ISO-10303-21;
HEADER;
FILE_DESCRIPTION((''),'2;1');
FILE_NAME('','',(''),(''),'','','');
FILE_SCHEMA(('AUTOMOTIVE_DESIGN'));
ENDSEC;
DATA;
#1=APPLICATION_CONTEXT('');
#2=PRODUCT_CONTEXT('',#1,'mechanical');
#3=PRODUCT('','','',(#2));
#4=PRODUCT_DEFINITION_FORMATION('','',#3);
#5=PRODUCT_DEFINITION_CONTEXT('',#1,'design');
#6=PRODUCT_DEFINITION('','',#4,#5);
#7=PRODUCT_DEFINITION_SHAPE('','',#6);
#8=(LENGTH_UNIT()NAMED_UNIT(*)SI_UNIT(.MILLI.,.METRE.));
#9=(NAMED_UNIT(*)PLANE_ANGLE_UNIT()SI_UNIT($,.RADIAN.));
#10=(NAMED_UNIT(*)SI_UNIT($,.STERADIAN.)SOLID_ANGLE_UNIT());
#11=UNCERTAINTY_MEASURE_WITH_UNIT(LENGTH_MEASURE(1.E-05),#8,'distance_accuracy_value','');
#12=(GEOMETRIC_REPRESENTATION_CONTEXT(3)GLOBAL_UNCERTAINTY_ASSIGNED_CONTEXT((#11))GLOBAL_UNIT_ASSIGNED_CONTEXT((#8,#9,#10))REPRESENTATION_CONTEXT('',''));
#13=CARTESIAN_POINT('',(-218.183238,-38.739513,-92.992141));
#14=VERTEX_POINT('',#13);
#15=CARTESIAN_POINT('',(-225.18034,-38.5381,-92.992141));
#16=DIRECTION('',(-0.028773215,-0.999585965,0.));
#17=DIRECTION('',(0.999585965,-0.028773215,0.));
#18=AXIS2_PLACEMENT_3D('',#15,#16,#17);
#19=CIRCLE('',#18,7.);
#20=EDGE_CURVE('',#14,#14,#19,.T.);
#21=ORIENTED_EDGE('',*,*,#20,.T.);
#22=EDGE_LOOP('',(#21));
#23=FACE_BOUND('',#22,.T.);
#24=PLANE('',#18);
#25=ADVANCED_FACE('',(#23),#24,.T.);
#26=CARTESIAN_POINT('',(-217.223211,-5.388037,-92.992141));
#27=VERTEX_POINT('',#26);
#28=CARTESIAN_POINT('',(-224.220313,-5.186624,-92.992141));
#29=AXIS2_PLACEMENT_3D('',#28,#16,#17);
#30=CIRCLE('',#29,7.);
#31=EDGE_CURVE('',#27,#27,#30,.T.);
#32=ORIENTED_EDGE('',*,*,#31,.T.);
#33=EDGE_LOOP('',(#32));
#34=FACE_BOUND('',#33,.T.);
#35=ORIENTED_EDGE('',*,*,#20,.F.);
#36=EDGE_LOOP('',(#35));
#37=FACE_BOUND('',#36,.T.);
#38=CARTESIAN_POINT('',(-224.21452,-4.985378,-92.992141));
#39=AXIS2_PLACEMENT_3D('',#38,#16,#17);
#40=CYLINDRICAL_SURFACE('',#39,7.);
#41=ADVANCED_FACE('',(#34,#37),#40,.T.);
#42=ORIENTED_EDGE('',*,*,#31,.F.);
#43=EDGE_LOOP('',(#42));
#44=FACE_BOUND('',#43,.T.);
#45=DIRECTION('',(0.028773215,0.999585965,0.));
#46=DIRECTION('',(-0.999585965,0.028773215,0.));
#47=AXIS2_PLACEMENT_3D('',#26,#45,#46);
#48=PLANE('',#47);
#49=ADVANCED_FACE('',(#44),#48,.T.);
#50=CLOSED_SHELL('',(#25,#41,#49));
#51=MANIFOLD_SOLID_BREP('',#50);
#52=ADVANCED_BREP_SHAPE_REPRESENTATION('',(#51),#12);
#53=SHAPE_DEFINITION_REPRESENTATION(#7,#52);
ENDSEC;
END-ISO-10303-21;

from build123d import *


with BuildPart() as part:
    # Esquisse1 → Révolution1 (revolve)
    with BuildSketch(Plane.XY.offset(-92.992140511)):
        Polygon((-217.223211463, -5.388036754), (-224.22031322, -5.186624249), (-225.180339886, -38.538100006), (-218.183238128, -38.739512511), align=None)
    revolve(axis=Axis((-224.214520334, -4.985378493, -92.992140511), (-0.028773214958104507, -0.9995859653381368, 0)))


solid = part.part
